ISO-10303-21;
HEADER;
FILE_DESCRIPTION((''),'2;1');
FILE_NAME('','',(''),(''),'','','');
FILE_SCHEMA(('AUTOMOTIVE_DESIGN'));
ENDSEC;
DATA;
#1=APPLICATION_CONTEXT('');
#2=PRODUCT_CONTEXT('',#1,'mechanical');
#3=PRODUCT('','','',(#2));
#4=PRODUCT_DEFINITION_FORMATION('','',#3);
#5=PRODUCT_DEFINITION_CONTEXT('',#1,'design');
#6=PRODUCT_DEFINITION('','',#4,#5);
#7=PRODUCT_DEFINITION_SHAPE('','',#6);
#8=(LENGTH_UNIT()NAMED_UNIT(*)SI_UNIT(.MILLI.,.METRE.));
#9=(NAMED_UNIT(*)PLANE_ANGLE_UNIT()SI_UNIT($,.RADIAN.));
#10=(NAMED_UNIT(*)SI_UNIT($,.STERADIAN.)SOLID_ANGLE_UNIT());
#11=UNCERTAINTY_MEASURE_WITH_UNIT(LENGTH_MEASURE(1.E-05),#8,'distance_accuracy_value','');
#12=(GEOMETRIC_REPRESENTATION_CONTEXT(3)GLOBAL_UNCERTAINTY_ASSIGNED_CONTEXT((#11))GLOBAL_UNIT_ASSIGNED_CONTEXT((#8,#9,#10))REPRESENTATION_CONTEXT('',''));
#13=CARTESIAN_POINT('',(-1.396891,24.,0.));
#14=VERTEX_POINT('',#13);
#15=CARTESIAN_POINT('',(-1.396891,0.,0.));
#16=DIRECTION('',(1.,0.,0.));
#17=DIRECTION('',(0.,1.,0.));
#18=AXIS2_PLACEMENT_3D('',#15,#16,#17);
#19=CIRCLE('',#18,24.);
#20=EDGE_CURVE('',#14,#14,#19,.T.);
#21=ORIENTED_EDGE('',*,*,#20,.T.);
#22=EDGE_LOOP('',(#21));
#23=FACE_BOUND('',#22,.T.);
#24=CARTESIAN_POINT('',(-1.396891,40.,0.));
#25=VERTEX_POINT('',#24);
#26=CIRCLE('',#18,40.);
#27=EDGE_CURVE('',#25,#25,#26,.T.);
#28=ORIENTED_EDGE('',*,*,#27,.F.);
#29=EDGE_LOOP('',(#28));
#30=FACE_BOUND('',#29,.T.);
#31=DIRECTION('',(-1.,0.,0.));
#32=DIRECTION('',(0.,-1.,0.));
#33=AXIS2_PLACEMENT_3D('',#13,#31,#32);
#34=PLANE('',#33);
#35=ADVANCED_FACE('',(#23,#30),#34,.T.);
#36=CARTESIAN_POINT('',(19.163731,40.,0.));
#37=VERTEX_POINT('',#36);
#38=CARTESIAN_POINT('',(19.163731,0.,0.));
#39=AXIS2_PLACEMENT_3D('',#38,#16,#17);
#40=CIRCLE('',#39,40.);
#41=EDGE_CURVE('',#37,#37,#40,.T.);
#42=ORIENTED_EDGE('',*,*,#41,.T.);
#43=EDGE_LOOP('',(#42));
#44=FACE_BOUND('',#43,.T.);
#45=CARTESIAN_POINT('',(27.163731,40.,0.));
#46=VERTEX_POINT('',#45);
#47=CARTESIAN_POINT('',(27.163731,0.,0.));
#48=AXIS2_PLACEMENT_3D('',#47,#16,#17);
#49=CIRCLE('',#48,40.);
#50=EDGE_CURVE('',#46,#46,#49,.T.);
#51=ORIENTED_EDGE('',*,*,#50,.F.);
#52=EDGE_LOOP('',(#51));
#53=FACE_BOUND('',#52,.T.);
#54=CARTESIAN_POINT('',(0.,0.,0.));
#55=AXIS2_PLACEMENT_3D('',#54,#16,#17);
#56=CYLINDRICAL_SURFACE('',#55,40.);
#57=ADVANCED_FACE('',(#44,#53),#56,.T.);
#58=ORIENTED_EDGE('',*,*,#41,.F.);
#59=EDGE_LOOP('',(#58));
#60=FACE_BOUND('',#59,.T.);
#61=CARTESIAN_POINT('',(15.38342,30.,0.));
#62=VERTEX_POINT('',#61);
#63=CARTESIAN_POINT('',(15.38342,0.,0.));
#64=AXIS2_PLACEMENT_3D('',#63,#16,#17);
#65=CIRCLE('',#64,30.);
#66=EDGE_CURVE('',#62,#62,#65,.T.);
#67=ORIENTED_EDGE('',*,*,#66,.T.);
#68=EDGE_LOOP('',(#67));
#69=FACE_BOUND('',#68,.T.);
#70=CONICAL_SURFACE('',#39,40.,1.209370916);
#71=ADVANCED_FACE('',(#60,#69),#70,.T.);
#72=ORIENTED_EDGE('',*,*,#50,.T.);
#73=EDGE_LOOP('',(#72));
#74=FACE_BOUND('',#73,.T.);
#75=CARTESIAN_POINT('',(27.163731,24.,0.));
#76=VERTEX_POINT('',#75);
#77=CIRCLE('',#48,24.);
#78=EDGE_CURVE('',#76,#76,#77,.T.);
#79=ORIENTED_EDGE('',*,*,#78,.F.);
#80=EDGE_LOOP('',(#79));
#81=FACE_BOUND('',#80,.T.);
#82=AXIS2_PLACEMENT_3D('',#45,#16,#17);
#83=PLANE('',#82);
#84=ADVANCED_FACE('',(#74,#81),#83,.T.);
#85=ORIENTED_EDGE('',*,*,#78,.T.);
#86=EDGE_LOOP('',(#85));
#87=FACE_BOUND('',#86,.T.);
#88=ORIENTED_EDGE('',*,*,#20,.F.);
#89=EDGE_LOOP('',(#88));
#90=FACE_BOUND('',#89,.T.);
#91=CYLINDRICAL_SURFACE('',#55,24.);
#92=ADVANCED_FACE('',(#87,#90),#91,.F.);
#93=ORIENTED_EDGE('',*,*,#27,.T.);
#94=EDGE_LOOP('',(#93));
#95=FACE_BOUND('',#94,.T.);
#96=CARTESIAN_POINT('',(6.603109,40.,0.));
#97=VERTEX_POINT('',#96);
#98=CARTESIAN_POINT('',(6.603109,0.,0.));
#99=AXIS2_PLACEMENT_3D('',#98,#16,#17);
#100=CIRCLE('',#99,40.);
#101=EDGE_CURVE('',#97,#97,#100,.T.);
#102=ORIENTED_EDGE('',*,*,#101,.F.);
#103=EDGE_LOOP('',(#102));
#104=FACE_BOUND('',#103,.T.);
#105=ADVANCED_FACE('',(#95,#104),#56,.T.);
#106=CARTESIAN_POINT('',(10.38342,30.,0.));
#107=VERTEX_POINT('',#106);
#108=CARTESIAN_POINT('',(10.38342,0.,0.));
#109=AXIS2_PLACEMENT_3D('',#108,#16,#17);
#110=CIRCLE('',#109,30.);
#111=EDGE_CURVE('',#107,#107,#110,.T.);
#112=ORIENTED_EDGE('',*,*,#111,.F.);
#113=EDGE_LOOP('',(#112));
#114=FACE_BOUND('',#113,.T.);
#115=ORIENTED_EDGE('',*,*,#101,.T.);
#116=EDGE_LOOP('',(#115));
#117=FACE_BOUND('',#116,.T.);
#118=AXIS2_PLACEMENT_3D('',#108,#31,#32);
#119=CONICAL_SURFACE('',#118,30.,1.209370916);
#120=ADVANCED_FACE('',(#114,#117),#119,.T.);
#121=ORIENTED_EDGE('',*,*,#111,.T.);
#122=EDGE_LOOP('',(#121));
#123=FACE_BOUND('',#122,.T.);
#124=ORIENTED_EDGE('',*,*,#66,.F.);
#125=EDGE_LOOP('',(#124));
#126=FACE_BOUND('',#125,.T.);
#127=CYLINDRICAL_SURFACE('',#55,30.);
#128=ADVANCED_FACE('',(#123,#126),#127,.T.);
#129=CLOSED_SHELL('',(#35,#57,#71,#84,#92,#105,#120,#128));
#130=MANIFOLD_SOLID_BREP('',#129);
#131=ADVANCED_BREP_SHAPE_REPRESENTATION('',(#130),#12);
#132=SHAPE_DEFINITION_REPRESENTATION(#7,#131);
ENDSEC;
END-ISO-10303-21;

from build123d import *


with BuildPart() as part:
    # Sketch2 → Revolve1 (revolve)
    with BuildSketch(Plane.XY):
        Polygon((27.16373057, 24), (-1.396891192, 24), (-1.396891192, 40), (6.603108808, 40), (10.383419689, 30), (15.383419689, 30), (19.16373057, 40), (27.16373057, 40), align=None)
    revolve(axis=Axis((0, 0, 0), (-1, 0, 0)))


solid = part.part
